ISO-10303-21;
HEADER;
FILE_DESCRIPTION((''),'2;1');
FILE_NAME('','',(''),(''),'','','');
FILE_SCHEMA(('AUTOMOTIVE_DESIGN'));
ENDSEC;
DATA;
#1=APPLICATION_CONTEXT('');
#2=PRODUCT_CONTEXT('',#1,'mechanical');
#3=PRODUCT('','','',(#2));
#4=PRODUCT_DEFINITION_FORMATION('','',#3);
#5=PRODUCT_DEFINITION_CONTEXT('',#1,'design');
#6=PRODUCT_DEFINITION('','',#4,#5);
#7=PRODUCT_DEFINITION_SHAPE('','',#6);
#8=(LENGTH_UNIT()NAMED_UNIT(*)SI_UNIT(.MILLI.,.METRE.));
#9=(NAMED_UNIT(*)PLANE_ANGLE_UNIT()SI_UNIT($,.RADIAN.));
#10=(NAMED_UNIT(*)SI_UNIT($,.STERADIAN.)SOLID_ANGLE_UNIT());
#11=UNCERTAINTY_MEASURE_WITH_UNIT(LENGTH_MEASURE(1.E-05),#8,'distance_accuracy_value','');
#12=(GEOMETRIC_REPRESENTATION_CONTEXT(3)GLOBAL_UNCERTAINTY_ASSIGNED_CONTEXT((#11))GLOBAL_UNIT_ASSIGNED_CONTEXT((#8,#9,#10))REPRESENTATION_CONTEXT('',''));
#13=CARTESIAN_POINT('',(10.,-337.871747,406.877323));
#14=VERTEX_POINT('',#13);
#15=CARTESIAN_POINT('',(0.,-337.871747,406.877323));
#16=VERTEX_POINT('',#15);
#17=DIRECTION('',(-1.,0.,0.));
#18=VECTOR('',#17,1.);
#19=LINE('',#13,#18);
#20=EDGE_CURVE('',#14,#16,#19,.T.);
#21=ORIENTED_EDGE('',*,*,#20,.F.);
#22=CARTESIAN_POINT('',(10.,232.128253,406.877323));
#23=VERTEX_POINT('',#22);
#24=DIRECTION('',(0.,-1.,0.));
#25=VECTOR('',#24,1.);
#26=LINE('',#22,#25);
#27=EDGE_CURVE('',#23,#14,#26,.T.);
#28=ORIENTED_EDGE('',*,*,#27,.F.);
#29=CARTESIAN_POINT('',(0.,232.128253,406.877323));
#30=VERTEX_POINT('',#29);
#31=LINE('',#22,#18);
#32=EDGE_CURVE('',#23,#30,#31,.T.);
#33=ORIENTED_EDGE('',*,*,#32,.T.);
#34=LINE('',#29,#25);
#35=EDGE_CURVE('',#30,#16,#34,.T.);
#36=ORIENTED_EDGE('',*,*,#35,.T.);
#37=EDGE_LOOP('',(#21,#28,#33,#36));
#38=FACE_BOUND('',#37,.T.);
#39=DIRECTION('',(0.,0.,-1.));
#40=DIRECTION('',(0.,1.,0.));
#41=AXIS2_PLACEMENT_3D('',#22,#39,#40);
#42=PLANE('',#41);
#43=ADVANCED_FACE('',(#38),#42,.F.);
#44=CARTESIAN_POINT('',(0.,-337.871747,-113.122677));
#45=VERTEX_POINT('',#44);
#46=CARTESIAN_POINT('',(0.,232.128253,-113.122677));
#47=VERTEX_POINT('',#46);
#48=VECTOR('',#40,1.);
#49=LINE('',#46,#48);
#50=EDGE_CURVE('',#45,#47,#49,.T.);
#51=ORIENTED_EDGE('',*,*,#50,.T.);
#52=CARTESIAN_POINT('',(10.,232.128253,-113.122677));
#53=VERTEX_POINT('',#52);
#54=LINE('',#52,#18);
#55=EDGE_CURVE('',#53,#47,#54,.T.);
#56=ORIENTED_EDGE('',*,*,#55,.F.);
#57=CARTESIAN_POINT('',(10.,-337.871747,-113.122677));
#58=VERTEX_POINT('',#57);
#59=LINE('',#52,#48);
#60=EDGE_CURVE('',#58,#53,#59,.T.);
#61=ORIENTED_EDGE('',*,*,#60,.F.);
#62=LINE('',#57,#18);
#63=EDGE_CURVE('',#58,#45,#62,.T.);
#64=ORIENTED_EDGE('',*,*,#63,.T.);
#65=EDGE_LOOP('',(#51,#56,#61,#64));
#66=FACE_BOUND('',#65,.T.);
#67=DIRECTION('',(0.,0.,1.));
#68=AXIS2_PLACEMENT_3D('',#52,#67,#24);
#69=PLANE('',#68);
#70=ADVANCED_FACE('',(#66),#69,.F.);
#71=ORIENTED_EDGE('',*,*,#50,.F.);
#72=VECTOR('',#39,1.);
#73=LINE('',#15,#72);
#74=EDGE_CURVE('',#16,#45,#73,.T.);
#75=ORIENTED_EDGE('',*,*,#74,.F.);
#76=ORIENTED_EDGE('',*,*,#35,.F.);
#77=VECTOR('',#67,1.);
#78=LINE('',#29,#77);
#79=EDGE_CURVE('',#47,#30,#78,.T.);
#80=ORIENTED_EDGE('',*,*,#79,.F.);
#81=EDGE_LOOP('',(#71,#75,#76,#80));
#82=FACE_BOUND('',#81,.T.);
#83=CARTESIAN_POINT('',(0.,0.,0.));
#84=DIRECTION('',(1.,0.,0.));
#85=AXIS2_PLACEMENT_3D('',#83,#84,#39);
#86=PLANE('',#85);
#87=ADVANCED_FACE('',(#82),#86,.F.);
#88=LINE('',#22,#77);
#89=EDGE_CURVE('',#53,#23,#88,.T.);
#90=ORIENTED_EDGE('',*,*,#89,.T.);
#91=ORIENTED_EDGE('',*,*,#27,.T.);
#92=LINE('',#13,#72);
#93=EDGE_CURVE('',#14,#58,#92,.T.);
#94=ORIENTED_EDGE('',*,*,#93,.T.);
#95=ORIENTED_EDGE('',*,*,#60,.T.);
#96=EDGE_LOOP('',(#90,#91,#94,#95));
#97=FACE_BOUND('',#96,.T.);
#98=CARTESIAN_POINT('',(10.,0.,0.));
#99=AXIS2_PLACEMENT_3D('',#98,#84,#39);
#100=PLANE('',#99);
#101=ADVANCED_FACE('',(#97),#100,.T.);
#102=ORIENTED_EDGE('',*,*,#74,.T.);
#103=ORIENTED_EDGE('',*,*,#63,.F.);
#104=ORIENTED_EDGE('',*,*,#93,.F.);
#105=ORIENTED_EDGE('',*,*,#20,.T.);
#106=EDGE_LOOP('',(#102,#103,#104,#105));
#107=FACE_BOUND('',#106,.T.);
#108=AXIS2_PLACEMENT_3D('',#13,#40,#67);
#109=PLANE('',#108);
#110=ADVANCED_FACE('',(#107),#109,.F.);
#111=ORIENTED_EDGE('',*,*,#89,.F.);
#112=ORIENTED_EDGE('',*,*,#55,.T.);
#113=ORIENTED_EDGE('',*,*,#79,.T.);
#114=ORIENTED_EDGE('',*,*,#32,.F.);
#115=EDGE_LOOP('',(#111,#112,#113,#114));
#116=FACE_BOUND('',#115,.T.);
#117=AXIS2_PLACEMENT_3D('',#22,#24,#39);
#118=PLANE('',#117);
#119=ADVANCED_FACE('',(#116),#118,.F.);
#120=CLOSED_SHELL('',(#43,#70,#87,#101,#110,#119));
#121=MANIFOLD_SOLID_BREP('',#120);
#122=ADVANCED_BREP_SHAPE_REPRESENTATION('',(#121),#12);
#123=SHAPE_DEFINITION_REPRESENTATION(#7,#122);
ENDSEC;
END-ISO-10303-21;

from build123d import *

# Parameters (mm, degrees)
ESQUISSE1_W        = 520
ESQUISSE1_H        = 570
BOSS_EXTRU_1_DEPTH = 10


with BuildPart() as part:
    # Esquisse1 → Boss.-Extru.1 (new body)
    with BuildSketch(Plane(origin=(0, 0, 0), x_dir=(0, 0, -1), z_dir=(1, 0, 0))):
        with Locations((-146.87732342, -52.871747212)):
            Rectangle(ESQUISSE1_W, ESQUISSE1_H)
    extrude(amount=BOSS_EXTRU_1_DEPTH)


solid = part.part
